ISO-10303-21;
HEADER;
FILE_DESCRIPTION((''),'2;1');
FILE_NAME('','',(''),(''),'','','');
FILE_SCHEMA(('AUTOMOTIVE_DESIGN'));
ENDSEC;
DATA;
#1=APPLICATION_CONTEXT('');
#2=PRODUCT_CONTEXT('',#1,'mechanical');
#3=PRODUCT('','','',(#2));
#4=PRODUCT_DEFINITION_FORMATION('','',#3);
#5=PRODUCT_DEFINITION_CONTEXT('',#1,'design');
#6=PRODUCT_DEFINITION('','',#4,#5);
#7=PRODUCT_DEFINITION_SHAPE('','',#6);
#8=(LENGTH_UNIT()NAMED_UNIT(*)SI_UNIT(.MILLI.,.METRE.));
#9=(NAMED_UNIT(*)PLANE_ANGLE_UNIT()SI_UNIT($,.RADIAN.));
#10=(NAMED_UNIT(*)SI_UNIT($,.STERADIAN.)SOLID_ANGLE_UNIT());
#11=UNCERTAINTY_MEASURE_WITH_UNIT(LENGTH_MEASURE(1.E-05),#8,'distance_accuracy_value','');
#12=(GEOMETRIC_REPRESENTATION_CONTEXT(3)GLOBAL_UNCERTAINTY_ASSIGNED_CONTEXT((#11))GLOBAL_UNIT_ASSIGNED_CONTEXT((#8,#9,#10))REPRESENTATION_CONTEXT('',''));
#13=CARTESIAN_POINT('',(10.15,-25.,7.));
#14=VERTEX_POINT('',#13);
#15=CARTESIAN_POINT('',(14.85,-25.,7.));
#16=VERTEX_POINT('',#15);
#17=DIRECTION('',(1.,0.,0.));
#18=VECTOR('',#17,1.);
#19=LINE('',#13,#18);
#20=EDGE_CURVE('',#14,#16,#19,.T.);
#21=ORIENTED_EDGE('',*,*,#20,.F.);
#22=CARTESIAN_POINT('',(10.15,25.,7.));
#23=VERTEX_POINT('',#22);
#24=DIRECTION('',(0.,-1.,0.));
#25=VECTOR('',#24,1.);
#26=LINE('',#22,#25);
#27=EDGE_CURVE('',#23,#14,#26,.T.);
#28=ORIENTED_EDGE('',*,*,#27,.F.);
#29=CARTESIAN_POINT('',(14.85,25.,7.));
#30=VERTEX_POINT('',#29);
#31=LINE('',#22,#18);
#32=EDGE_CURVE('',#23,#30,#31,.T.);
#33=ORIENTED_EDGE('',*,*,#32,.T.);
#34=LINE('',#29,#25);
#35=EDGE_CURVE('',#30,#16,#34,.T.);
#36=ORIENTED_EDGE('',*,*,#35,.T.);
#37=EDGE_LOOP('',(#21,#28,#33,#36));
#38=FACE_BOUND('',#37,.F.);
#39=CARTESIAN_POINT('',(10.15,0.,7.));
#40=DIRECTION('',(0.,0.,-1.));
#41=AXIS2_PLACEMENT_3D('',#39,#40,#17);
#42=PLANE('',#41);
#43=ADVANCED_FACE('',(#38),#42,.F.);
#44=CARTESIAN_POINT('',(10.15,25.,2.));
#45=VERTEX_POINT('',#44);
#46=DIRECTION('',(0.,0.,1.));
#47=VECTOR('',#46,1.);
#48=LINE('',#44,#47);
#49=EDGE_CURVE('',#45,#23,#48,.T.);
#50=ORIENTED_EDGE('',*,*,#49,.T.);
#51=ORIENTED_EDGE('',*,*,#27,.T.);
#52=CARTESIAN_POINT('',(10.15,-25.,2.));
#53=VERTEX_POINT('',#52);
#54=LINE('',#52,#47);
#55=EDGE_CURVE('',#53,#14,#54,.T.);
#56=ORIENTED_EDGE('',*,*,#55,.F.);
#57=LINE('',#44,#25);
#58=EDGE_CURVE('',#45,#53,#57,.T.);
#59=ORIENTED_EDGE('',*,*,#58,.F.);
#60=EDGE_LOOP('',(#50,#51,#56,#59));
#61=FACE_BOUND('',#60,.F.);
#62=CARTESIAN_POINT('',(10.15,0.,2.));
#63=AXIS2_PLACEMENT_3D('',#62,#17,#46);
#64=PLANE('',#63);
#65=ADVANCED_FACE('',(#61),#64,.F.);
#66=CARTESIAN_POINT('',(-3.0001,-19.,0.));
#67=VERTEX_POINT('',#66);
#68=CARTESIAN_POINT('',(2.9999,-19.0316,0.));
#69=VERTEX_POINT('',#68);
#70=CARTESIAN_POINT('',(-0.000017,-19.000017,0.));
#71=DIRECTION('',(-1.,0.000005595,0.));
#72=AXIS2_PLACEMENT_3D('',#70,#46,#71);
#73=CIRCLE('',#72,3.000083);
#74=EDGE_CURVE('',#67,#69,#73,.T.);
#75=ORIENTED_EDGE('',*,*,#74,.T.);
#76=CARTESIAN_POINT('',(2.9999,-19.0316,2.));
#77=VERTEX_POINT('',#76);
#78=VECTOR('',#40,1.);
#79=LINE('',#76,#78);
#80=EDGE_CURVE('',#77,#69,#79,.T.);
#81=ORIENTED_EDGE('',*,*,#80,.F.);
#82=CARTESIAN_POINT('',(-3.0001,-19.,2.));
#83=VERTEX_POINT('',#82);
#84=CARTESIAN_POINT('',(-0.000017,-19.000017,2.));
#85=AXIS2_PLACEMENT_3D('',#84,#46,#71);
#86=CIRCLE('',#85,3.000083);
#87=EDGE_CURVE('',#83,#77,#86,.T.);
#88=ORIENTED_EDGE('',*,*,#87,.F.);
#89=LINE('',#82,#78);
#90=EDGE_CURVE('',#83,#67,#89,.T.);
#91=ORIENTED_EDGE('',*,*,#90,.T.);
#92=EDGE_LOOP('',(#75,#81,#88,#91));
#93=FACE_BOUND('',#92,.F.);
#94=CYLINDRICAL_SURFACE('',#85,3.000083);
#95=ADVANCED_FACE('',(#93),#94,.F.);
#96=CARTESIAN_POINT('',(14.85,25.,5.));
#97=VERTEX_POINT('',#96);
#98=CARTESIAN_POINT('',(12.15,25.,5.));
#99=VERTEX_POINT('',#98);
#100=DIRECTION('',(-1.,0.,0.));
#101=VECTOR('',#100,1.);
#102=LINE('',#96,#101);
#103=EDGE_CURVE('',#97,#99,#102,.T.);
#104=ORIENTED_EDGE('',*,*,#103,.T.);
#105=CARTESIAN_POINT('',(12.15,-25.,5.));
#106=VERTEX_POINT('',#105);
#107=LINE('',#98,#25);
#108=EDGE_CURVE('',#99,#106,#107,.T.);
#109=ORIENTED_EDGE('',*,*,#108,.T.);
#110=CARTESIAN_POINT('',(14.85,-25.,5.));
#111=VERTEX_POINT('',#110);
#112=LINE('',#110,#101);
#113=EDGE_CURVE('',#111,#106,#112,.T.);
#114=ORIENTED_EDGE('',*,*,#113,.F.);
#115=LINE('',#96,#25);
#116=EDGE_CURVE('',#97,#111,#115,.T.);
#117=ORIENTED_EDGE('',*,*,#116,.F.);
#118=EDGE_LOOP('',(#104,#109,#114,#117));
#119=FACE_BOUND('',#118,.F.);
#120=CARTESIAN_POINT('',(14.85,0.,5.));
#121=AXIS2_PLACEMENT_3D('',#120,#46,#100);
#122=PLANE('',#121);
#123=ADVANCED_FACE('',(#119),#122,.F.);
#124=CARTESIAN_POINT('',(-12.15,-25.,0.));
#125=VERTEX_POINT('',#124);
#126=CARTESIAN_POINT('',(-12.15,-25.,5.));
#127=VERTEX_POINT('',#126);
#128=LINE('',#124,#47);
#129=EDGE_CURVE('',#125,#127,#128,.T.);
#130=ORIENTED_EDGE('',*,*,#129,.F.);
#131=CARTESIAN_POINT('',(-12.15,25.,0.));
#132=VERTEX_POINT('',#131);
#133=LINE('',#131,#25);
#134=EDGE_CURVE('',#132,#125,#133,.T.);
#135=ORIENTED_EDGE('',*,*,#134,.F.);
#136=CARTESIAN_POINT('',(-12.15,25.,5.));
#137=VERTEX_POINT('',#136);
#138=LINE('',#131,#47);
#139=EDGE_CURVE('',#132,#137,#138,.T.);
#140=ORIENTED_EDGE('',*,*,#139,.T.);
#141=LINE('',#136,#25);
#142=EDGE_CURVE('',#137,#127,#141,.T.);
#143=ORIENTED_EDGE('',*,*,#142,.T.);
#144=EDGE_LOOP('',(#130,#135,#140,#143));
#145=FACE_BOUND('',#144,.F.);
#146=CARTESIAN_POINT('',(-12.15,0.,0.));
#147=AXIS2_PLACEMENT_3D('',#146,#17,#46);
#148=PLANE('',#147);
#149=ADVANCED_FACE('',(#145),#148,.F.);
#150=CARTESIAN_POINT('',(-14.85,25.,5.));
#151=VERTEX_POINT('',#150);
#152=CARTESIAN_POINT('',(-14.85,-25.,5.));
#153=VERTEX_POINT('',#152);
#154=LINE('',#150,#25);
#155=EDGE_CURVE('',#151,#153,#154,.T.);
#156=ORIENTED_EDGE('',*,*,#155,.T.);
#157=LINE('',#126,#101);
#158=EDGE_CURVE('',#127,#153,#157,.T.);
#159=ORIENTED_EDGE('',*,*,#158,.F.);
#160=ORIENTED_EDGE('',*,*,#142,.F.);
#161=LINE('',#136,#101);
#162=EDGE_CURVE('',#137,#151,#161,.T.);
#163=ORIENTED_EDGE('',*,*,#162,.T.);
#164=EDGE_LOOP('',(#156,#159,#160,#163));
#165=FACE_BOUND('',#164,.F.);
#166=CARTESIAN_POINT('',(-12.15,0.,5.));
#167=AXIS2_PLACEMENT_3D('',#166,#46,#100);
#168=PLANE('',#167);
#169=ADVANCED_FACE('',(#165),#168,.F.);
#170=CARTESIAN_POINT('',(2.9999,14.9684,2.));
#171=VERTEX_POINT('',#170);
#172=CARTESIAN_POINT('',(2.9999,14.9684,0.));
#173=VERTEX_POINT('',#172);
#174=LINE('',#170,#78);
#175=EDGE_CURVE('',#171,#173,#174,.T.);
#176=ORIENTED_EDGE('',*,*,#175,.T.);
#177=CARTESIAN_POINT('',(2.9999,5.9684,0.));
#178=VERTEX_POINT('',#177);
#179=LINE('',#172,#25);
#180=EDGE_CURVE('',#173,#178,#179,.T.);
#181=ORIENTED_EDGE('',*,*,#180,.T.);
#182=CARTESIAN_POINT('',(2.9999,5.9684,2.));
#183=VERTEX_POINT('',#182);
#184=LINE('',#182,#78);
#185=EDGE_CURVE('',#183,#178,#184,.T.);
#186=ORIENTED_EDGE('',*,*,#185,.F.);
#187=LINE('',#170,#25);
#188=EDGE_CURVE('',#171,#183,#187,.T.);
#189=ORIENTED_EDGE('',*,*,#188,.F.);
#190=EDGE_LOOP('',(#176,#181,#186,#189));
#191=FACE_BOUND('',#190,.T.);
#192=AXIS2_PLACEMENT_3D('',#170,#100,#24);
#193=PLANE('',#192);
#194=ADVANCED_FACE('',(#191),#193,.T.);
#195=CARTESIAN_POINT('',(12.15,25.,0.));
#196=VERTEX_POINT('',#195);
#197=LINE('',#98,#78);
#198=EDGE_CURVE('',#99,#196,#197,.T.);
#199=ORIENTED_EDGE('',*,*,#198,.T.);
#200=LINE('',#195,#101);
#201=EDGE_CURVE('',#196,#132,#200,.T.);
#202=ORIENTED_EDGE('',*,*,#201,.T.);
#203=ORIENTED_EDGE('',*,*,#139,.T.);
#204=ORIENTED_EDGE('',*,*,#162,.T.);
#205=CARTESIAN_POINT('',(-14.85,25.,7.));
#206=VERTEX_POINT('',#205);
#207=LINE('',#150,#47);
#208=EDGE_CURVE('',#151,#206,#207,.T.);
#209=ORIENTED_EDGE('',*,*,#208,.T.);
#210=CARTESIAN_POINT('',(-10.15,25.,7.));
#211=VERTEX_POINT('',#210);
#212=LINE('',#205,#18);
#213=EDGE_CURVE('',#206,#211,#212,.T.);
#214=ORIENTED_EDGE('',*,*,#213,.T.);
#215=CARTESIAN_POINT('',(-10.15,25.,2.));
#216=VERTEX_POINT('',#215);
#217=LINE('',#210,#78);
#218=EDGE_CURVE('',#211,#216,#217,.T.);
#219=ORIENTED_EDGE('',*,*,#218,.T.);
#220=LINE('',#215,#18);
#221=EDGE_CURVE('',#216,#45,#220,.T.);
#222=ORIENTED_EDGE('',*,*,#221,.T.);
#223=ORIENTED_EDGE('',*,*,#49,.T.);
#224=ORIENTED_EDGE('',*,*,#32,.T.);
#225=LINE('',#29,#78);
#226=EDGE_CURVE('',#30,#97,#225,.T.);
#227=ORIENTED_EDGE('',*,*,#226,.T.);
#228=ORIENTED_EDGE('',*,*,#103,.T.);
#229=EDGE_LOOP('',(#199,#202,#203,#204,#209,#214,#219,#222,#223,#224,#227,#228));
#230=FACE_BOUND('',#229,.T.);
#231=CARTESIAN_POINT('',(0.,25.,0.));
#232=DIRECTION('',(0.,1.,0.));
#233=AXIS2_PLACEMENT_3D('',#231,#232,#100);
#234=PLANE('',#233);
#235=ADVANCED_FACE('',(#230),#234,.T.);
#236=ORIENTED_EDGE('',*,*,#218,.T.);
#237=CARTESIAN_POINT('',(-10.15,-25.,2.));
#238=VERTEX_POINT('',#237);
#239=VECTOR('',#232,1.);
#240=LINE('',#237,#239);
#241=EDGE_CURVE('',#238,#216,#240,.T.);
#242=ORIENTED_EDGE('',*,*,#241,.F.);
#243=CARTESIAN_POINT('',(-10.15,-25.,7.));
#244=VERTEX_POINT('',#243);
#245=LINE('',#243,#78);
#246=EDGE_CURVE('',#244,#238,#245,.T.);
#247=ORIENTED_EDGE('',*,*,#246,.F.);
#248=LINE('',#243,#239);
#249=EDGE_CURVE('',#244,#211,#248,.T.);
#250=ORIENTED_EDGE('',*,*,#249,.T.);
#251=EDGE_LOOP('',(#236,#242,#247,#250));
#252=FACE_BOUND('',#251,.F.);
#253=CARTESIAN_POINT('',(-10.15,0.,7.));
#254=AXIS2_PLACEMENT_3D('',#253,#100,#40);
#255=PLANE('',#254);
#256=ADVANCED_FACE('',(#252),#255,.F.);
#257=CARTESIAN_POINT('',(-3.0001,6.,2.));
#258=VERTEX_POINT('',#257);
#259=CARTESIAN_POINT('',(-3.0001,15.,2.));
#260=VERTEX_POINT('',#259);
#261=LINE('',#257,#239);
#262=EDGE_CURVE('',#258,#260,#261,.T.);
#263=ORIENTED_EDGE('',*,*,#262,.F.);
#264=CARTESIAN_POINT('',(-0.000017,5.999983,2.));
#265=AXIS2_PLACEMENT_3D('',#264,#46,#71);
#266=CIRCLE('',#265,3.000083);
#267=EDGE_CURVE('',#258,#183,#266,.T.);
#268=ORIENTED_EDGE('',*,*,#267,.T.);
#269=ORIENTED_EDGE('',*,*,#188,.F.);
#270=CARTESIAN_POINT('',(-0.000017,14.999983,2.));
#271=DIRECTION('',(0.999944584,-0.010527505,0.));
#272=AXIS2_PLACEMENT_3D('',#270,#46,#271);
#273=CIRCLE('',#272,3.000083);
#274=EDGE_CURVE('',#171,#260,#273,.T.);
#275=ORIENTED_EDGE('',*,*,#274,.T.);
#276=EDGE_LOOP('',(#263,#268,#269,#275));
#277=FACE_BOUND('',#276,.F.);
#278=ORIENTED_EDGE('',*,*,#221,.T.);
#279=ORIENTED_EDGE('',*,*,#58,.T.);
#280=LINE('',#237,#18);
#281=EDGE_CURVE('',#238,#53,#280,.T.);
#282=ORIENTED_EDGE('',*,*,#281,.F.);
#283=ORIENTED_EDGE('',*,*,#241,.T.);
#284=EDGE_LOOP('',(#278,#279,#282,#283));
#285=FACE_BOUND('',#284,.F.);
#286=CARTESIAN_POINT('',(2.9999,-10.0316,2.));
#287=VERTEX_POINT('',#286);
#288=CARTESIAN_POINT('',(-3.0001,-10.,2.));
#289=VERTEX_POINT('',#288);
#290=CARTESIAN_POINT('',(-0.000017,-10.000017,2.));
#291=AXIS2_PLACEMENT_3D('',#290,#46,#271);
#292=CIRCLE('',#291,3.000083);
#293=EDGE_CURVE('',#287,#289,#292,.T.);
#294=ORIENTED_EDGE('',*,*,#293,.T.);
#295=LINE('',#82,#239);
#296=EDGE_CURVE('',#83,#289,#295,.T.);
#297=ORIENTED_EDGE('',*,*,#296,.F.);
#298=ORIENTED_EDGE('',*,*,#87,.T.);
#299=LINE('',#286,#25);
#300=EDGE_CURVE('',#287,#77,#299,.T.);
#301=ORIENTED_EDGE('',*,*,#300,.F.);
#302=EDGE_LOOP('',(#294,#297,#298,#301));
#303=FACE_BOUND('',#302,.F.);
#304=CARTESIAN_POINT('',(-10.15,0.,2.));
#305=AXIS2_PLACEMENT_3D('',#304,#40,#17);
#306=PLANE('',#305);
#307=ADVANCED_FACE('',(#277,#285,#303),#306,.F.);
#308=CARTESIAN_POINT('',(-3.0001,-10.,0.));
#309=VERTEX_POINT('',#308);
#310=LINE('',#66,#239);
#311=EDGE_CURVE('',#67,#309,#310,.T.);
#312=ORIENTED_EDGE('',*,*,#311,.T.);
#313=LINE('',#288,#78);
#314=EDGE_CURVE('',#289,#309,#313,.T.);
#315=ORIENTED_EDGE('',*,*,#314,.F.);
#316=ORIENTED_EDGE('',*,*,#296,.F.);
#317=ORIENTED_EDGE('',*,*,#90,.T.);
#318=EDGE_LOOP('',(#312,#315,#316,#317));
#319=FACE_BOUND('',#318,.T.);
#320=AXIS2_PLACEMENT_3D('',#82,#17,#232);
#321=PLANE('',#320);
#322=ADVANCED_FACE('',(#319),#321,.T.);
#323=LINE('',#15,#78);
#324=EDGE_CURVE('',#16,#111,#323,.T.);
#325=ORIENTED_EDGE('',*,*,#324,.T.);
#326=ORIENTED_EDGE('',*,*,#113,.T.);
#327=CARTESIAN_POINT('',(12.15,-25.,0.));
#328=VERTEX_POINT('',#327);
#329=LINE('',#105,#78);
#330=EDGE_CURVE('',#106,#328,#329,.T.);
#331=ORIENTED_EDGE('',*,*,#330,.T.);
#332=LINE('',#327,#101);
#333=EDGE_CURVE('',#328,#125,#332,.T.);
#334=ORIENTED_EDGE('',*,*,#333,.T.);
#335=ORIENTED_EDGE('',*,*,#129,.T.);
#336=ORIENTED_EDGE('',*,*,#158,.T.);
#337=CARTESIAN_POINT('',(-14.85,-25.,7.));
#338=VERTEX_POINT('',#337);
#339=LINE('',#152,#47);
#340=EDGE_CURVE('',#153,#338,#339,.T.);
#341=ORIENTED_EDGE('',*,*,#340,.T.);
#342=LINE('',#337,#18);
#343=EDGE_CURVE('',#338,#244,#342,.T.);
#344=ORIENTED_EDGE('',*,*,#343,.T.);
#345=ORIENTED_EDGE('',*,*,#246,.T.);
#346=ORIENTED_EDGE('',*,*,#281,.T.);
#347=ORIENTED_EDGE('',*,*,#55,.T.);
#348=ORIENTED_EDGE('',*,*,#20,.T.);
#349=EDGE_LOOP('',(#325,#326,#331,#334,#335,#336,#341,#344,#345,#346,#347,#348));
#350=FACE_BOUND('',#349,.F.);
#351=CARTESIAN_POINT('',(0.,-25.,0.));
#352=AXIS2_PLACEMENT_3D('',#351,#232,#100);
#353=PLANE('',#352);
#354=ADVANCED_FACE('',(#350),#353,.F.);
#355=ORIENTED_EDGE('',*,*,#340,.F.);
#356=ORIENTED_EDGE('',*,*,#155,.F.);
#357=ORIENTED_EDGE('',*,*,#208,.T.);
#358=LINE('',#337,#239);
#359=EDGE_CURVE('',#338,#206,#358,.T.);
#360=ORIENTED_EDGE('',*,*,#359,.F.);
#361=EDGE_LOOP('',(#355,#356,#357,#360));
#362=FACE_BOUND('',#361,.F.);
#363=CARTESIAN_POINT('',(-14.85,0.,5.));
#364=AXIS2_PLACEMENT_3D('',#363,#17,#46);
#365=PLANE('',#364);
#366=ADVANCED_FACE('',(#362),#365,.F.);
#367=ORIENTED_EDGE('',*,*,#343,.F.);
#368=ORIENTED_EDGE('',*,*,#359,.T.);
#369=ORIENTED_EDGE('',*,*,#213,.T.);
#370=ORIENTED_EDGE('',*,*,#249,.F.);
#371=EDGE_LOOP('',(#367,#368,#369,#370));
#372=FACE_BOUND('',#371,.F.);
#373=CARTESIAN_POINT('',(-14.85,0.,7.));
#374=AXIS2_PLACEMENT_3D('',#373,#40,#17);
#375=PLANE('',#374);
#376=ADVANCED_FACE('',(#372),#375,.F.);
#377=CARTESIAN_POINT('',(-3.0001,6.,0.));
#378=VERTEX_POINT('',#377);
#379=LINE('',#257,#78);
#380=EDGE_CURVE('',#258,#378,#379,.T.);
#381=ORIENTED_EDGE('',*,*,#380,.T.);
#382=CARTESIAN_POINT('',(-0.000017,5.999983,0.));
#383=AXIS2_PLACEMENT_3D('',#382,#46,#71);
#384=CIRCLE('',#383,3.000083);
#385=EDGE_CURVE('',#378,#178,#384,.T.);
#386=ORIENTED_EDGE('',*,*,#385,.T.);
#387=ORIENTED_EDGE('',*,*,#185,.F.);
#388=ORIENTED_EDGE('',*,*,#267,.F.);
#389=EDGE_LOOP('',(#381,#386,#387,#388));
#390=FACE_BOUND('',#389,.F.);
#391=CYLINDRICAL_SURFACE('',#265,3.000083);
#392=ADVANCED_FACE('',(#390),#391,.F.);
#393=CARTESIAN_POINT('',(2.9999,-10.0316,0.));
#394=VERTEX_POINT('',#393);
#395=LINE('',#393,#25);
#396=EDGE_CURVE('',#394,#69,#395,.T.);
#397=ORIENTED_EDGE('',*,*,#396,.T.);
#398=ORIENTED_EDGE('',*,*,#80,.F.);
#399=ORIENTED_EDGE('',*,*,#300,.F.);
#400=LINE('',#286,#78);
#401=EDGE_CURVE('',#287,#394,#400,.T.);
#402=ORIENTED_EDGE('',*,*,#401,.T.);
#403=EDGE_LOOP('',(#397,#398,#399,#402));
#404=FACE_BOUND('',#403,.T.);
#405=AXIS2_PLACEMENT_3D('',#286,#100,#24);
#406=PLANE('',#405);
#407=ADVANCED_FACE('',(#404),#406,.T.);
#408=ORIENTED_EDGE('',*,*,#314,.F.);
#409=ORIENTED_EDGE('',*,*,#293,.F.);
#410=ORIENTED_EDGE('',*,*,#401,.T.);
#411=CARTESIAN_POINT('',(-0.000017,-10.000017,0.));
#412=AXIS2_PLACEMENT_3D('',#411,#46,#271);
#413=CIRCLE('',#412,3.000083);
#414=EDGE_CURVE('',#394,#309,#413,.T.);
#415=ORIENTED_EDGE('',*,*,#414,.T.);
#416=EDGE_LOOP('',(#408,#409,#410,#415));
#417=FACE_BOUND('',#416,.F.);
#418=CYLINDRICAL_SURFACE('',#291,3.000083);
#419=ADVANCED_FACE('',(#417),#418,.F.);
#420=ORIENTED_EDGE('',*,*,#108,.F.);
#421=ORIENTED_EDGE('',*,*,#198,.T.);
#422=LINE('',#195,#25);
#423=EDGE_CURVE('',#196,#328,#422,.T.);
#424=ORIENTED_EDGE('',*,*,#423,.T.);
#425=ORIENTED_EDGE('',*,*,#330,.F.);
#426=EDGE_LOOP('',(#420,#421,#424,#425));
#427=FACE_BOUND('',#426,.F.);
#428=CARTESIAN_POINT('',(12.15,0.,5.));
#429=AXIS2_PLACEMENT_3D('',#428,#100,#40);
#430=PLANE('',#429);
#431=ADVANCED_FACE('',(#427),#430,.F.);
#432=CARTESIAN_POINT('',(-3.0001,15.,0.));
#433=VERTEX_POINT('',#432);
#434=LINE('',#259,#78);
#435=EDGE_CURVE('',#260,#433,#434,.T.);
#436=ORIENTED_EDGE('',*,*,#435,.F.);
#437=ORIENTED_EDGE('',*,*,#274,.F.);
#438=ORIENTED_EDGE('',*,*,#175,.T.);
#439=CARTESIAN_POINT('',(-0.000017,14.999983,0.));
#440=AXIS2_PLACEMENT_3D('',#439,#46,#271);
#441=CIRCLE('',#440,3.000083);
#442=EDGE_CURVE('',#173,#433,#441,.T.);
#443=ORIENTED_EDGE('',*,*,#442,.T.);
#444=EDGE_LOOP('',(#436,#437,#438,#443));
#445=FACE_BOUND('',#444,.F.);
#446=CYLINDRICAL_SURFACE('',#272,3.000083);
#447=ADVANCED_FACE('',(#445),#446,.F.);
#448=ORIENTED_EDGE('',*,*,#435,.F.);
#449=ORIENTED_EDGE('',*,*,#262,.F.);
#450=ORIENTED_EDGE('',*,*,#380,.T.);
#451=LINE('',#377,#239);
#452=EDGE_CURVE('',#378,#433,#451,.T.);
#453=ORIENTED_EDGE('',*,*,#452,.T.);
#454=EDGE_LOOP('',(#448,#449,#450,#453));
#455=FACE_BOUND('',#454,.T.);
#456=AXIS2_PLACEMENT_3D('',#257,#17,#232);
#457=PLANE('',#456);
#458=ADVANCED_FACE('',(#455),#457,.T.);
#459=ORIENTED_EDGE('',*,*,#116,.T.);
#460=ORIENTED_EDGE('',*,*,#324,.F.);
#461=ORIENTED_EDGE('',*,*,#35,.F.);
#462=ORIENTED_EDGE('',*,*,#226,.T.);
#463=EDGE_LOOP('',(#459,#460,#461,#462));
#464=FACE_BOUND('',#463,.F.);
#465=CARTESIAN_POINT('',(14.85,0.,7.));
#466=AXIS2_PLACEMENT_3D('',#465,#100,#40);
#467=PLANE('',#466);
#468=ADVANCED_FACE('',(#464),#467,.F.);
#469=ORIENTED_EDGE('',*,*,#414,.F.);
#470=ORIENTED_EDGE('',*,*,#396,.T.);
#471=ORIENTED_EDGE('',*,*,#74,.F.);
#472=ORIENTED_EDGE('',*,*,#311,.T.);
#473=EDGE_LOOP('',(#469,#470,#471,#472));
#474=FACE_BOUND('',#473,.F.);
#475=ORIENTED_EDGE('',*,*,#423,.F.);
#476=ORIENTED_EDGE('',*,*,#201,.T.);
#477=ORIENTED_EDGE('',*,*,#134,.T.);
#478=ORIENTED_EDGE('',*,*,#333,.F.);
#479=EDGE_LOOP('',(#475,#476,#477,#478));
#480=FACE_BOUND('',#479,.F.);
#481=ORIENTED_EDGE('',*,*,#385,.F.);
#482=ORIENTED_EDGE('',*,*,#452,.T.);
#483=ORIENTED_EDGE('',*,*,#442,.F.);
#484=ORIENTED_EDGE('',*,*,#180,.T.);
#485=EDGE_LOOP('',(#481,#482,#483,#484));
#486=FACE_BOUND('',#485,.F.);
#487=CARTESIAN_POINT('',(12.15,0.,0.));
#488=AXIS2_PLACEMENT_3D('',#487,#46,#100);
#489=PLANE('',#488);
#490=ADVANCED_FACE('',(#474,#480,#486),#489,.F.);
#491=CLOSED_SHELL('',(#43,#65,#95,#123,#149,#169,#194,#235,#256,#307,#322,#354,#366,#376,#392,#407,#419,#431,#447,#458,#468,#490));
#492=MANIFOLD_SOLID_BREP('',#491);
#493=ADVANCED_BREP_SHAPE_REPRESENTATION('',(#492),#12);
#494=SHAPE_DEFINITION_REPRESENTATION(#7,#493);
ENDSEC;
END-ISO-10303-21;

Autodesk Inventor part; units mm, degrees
ref_plane "YZ Plane" through (0, 0, 0) normal (1, 0, 0) x (0, 1, 0)
ref_plane "XZ Plane" through (0, 0, 0) normal (0, 1, 0) x (-1, 0, 0)
ref_plane "XY Plane" through (0, 0, 0) normal (0, 0, 1) x (1, 0, 0)
sketch "Sketch1" plane through (0, 0, 0) normal (0, 1, 0) x (-1, 0, 0)
  line L0 (14.85, 7) -> (10.15, 7)
  line L1 (10.15, 7) -> (10.15, 2)
  line L2 (10.15, 2) -> (-10.15, 2)
  line L3 (-10.15, 2) -> (-10.15, 7)
  line L4 (-10.15, 7) -> (-14.85, 7)
  line L5 (-14.85, 7) -> (-14.85, 5)
  line L6 (-14.85, 5) -> (-12.15, 5)
  line L7 (-12.15, 5) -> (-12.15, 0)
  line L8 (-12.15, 0) -> (12.15, 0)
  line L9 (12.15, 0) -> (12.15, 5)
  line L10 (12.15, 5) -> (14.85, 5)
  line L11 (14.85, 5) -> (14.85, 7)
  point P0 (0, 0)
  point P1 (0, 0)
  point P2 (0, 2)
  point P3 (12.5, 7)
  point P4 (13.5, 5)
  dimension "d0" = 20.3
  dimension "d1" = 24.3
  dimension "d2" = 5
  dimension "d3" = 4.7
  dimension "d5" = 2
  dimension "d6" = 2
extrude "Extrusion1" add sketch "Sketch1" along normal mid plane 50
sketch "Sketch2" plane through (-10.15, 25, 2) normal (0, 0, 1) x (1, 0, 0)
  line L0 (13.1499, -10.0316) -> (13.1499, -19.0316)
  line L1 (7.1499, -19) -> (7.1499, -10)
  arc A0 (13.1499, -10.0316) -> (7.1499, -10) centre (10.15, -10) ccw
  arc A1 (7.1499, -19) -> (13.1499, -19.0316) centre (10.15, -19) ccw
  line L2 (0, 0) -> (20.3, 0) projected
  point P0 (10.15, -25)
  dimension "d9" = 6
  dimension "d12" = 9
  dimension "d13" = 10
extrude "Extrusion2" cut sketch "Sketch2" against normal up to surface (2 mm away)
pattern_linear "Rectangular Pattern1" count 2 spacing 25 along (0, -1, 0) of "Extrusion2"
properties part number "Part_B8"
